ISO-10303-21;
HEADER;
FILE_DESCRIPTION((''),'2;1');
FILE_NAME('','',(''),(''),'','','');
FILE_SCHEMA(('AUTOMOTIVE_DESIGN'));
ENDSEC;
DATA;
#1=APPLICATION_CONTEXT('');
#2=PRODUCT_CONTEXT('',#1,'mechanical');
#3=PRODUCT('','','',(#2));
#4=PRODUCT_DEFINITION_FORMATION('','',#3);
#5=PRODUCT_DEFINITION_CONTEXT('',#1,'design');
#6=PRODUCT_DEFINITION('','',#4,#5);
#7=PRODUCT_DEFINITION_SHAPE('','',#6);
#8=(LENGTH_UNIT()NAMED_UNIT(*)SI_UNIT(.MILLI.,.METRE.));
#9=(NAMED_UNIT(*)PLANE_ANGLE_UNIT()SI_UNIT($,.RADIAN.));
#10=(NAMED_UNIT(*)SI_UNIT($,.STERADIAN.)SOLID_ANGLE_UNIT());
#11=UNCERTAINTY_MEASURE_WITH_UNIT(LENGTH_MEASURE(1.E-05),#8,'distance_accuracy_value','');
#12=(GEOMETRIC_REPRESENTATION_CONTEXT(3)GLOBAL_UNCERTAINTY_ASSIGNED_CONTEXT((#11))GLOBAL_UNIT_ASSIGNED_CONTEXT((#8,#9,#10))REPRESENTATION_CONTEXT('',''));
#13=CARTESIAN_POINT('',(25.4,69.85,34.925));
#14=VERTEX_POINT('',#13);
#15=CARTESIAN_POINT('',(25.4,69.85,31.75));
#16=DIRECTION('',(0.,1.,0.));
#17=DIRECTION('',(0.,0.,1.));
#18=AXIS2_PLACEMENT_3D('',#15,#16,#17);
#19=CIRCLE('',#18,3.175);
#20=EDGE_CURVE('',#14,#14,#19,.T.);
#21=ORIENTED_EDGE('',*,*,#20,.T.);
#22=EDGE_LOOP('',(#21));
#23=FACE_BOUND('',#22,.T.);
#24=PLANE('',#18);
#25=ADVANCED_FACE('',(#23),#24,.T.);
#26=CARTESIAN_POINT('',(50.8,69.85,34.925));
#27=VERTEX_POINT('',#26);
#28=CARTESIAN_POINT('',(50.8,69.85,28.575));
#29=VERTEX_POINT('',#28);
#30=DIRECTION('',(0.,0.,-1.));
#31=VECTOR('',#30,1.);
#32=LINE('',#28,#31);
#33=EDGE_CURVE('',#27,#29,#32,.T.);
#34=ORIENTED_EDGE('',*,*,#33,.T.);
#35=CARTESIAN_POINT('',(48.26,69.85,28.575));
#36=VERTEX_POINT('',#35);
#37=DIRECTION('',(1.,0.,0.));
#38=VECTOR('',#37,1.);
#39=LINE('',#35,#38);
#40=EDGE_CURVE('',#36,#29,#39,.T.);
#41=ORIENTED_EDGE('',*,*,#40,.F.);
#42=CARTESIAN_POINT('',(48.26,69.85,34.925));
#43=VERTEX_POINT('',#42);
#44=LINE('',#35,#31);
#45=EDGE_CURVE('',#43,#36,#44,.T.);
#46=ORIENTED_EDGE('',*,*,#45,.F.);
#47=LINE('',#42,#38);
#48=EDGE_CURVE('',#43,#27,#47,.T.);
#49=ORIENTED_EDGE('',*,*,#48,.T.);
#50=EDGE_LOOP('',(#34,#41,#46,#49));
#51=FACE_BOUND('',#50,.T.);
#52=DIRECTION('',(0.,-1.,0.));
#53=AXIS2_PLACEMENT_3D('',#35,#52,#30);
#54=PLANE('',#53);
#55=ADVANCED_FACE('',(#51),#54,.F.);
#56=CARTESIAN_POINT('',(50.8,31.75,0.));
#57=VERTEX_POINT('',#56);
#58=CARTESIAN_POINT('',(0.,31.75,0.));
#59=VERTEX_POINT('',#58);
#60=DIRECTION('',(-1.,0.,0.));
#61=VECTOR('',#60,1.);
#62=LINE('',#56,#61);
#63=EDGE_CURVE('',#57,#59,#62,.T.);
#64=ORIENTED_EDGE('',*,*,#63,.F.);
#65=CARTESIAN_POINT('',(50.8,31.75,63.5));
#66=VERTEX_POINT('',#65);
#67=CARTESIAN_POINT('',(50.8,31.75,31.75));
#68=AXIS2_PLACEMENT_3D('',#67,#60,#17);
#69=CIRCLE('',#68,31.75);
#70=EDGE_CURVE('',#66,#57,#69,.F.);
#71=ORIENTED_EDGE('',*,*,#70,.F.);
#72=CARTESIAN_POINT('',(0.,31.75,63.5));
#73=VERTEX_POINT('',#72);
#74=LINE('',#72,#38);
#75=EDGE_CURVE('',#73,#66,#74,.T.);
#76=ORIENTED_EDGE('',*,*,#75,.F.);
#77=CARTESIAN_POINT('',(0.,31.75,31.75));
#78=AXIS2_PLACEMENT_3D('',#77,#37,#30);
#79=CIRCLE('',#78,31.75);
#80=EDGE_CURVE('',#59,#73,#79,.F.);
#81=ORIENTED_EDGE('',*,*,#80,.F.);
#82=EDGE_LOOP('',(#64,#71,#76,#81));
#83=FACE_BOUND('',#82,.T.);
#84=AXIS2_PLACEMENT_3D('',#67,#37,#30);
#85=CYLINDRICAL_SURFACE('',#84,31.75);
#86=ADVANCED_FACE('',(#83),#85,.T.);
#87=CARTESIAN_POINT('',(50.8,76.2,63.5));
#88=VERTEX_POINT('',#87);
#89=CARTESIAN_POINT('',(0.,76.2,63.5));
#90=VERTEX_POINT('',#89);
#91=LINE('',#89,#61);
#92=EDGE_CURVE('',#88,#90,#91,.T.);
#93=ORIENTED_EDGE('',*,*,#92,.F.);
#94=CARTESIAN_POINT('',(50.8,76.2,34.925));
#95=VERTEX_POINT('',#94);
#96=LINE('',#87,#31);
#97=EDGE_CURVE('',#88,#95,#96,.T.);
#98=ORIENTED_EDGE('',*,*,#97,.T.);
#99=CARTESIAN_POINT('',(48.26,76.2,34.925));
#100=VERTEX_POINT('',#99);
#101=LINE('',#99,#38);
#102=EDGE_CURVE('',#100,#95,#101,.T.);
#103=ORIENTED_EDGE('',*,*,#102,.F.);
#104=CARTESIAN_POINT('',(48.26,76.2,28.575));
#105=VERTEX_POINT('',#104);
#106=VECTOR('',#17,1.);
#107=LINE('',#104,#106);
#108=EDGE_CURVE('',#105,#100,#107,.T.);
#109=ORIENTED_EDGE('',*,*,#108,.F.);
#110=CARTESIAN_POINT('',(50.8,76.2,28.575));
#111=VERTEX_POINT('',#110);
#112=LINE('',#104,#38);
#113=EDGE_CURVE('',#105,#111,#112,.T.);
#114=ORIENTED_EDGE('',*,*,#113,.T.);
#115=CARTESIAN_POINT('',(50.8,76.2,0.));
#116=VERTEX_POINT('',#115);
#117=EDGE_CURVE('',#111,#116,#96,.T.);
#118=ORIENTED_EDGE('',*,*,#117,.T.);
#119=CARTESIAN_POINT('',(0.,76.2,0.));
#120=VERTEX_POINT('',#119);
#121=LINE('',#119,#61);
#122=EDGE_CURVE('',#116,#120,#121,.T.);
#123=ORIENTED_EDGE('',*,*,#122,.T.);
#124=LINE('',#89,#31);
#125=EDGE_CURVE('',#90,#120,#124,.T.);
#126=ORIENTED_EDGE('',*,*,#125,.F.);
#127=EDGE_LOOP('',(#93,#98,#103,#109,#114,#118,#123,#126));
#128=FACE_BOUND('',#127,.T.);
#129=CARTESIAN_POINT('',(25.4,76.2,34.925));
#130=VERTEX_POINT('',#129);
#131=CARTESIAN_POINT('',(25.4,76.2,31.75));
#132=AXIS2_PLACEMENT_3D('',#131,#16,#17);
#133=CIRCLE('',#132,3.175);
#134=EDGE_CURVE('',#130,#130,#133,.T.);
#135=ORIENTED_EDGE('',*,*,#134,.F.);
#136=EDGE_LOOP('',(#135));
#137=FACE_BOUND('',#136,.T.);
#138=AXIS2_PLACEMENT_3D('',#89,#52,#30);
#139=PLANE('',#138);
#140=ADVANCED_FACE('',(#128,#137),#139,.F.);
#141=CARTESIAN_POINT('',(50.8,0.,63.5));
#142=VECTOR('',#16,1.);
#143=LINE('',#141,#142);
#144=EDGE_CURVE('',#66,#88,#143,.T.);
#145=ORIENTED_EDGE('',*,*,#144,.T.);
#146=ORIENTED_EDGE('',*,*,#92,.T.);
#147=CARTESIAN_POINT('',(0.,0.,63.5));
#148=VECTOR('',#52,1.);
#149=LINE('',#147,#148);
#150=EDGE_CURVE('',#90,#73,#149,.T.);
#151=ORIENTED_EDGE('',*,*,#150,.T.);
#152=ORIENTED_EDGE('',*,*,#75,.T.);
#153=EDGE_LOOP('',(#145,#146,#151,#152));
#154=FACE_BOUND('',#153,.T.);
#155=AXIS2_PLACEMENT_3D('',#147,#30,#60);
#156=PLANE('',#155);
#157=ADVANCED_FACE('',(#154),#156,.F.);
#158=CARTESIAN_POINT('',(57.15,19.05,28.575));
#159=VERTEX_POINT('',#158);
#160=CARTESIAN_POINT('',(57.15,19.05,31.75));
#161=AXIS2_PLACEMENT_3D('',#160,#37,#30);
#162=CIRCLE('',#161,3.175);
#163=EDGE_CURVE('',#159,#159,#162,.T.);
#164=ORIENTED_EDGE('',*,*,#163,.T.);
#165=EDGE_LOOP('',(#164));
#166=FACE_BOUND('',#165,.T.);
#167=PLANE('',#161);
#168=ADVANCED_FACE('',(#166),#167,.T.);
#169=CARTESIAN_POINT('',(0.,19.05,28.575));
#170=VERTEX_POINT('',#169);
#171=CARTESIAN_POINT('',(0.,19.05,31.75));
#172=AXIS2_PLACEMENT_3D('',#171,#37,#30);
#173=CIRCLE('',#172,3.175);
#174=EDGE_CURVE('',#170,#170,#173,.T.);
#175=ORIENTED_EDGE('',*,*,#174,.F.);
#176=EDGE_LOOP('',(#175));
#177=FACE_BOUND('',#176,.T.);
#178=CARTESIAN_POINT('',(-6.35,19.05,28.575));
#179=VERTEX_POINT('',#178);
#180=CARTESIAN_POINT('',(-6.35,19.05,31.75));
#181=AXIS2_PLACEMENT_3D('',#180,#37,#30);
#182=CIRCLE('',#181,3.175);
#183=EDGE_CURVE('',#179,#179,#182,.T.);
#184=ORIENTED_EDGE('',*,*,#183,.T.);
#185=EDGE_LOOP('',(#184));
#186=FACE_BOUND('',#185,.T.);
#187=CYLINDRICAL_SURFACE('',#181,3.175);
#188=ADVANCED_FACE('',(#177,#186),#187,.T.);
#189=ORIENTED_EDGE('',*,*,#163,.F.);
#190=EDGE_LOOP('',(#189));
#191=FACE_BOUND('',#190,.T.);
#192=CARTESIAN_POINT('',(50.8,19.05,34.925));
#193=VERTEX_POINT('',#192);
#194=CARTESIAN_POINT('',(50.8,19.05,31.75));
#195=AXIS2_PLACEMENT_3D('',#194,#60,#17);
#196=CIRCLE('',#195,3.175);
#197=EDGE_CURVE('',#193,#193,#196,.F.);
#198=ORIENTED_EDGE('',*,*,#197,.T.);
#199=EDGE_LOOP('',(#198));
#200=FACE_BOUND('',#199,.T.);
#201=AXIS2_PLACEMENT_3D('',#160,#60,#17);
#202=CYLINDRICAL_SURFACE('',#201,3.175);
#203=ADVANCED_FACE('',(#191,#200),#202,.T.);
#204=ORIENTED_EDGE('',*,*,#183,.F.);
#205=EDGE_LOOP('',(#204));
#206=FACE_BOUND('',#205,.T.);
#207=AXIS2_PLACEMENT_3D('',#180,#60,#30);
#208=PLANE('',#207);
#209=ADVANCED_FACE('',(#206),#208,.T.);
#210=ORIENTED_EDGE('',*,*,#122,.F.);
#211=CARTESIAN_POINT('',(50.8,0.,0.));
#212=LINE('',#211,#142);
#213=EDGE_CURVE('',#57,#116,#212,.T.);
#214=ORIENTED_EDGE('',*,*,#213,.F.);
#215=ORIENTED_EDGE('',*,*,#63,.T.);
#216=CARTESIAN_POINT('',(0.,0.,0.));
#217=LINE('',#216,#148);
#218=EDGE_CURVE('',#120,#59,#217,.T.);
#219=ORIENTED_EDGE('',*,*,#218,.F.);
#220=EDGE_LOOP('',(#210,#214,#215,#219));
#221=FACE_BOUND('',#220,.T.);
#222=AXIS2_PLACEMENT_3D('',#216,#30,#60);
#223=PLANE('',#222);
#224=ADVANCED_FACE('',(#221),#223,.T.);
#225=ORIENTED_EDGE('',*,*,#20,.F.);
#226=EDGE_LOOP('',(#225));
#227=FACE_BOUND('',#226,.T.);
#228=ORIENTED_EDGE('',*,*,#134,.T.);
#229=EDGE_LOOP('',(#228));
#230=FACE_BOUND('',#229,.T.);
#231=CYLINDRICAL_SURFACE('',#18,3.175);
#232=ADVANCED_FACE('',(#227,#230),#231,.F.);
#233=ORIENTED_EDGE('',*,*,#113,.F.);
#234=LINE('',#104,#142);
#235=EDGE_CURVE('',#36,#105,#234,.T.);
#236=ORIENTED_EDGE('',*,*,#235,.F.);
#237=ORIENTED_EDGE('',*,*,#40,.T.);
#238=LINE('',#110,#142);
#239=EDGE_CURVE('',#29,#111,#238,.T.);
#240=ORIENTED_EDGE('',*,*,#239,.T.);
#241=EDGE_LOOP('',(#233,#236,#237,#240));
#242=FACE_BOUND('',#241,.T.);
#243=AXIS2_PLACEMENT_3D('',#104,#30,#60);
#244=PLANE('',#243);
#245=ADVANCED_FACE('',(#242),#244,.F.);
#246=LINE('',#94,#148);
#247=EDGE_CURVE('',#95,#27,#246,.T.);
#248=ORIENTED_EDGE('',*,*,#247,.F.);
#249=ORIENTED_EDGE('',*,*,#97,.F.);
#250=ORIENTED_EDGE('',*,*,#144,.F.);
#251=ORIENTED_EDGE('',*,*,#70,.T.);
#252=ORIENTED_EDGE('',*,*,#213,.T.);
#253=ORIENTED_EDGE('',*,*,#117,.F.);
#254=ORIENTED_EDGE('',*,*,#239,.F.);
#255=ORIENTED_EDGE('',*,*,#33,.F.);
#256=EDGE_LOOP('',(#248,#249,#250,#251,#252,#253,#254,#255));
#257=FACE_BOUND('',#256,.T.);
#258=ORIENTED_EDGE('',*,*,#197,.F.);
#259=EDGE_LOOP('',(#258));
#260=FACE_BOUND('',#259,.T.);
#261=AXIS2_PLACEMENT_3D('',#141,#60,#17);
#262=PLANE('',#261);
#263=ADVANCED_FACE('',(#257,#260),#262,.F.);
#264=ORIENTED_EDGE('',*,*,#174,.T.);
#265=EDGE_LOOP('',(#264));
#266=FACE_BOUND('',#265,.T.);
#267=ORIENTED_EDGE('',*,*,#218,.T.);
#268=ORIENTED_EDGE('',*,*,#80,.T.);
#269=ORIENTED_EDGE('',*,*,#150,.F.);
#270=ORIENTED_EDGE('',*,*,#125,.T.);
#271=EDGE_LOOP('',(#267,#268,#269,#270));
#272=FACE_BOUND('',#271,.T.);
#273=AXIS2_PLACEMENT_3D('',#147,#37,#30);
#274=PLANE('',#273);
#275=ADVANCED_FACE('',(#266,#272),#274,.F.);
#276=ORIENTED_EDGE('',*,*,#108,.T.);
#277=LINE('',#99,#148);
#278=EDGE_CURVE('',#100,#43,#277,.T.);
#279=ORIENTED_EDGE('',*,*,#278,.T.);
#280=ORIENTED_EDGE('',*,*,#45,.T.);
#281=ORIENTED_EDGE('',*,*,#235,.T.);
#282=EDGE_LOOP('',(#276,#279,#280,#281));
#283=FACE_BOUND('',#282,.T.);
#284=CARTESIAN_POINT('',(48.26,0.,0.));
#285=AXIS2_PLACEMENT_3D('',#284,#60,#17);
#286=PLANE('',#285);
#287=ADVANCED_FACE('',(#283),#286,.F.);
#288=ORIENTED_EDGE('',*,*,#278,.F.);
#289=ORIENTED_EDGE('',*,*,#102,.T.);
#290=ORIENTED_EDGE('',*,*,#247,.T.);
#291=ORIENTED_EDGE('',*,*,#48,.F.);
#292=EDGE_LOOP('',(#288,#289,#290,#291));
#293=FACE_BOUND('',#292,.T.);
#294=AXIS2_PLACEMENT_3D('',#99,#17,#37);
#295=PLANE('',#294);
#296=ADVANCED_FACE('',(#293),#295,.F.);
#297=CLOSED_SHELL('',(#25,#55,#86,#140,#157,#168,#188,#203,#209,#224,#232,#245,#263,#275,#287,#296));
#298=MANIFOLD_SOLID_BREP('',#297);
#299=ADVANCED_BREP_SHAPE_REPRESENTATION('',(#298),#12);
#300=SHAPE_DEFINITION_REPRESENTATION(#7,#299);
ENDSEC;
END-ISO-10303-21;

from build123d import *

# Parameters (mm, degrees)
SKETCH1_W           = 50.8
SKETCH1_H           = 76.2
BOSS_EXTRUDE1_DEPTH = 63.5
FILLET2_RADIUS      = 31.75
FILLET2_LENGTH      = 50.8
SKETCH2_R           = 3.175
BOSS_EXTRUDE2_DEPTH = 6.35
SKETCH3_R           = 3.175
CUT_EXTRUDE1_DEPTH  = 6.35
SKETCH4_W           = 6.35
SKETCH4_H           = 6.35
CUT_EXTRUDE2_DEPTH  = 2.54


with BuildPart() as part:
    # Sketch1 → Boss-Extrude1 (new body)
    with BuildSketch(Plane.XY):
        with Locations((25.4, 38.1)):
            Rectangle(SKETCH1_W, SKETCH1_H)
    extrude(amount=BOSS_EXTRUDE1_DEPTH)

    # Fillet2: full round fillet: the end face becomes a half cylinder, R = half its width
    fillet2_face = Plane((25.4, 0, 31.75), x_dir=(1, 0, 0), z_dir=(0, -1, 0))  # on the end face: x along it, z out of the body
    fillet2_slab = fillet2_face.offset(-FILLET2_RADIUS / 2) * Box(FILLET2_LENGTH, 2 * FILLET2_RADIUS, FILLET2_RADIUS, mode=Mode.PRIVATE)  # the body's end, R deep
    fillet2_round = Plane((25.4, 31.75, 31.75), x_dir=(0, -1, 0), z_dir=(1, 0, 0)) * Cylinder(FILLET2_RADIUS, FILLET2_LENGTH, mode=Mode.PRIVATE)  # its axis R under the face
    add(fillet2_slab - fillet2_round, mode=Mode.SUBTRACT)

    # Sketch2 → Boss-Extrude2 (add)
    with BuildSketch(Plane(origin=(50.8, 0, 0), x_dir=(0, 0, -1), z_dir=(1, 0, 0))):
        with Locations(Location((-31.75, 19.05, 0), (0, 0, 180))):
            Circle(SKETCH2_R)
    boss_extrude2 = extrude(amount=BOSS_EXTRUDE2_DEPTH)

    # Mirror1: Boss-Extrude2 across plane
    add(boss_extrude2.mirror(Plane(origin=(25.4, 0, 0), x_dir=(0, 0, 1), z_dir=(1, 0, 0))))

    # Sketch3 → Cut-Extrude1 (cut)
    with BuildSketch(Plane(origin=(0, 76.2, 0), x_dir=(1, 0, 0), z_dir=(0, 1, 0))):
        with Locations(Location((25.4, -31.75, 0), (0, 0, 270))):
            Circle(SKETCH3_R)
    extrude(amount=-CUT_EXTRUDE1_DEPTH, mode=Mode.SUBTRACT)

    # Sketch4 → Cut-Extrude2 (cut)
    with BuildSketch(Plane(origin=(50.8, 0, 0), x_dir=(0, 0, -1), z_dir=(1, 0, 0))):
        with Locations((-31.75, 73.025)):
            Rectangle(SKETCH4_W, SKETCH4_H)
    extrude(amount=-CUT_EXTRUDE2_DEPTH, mode=Mode.SUBTRACT)


solid = part.part
